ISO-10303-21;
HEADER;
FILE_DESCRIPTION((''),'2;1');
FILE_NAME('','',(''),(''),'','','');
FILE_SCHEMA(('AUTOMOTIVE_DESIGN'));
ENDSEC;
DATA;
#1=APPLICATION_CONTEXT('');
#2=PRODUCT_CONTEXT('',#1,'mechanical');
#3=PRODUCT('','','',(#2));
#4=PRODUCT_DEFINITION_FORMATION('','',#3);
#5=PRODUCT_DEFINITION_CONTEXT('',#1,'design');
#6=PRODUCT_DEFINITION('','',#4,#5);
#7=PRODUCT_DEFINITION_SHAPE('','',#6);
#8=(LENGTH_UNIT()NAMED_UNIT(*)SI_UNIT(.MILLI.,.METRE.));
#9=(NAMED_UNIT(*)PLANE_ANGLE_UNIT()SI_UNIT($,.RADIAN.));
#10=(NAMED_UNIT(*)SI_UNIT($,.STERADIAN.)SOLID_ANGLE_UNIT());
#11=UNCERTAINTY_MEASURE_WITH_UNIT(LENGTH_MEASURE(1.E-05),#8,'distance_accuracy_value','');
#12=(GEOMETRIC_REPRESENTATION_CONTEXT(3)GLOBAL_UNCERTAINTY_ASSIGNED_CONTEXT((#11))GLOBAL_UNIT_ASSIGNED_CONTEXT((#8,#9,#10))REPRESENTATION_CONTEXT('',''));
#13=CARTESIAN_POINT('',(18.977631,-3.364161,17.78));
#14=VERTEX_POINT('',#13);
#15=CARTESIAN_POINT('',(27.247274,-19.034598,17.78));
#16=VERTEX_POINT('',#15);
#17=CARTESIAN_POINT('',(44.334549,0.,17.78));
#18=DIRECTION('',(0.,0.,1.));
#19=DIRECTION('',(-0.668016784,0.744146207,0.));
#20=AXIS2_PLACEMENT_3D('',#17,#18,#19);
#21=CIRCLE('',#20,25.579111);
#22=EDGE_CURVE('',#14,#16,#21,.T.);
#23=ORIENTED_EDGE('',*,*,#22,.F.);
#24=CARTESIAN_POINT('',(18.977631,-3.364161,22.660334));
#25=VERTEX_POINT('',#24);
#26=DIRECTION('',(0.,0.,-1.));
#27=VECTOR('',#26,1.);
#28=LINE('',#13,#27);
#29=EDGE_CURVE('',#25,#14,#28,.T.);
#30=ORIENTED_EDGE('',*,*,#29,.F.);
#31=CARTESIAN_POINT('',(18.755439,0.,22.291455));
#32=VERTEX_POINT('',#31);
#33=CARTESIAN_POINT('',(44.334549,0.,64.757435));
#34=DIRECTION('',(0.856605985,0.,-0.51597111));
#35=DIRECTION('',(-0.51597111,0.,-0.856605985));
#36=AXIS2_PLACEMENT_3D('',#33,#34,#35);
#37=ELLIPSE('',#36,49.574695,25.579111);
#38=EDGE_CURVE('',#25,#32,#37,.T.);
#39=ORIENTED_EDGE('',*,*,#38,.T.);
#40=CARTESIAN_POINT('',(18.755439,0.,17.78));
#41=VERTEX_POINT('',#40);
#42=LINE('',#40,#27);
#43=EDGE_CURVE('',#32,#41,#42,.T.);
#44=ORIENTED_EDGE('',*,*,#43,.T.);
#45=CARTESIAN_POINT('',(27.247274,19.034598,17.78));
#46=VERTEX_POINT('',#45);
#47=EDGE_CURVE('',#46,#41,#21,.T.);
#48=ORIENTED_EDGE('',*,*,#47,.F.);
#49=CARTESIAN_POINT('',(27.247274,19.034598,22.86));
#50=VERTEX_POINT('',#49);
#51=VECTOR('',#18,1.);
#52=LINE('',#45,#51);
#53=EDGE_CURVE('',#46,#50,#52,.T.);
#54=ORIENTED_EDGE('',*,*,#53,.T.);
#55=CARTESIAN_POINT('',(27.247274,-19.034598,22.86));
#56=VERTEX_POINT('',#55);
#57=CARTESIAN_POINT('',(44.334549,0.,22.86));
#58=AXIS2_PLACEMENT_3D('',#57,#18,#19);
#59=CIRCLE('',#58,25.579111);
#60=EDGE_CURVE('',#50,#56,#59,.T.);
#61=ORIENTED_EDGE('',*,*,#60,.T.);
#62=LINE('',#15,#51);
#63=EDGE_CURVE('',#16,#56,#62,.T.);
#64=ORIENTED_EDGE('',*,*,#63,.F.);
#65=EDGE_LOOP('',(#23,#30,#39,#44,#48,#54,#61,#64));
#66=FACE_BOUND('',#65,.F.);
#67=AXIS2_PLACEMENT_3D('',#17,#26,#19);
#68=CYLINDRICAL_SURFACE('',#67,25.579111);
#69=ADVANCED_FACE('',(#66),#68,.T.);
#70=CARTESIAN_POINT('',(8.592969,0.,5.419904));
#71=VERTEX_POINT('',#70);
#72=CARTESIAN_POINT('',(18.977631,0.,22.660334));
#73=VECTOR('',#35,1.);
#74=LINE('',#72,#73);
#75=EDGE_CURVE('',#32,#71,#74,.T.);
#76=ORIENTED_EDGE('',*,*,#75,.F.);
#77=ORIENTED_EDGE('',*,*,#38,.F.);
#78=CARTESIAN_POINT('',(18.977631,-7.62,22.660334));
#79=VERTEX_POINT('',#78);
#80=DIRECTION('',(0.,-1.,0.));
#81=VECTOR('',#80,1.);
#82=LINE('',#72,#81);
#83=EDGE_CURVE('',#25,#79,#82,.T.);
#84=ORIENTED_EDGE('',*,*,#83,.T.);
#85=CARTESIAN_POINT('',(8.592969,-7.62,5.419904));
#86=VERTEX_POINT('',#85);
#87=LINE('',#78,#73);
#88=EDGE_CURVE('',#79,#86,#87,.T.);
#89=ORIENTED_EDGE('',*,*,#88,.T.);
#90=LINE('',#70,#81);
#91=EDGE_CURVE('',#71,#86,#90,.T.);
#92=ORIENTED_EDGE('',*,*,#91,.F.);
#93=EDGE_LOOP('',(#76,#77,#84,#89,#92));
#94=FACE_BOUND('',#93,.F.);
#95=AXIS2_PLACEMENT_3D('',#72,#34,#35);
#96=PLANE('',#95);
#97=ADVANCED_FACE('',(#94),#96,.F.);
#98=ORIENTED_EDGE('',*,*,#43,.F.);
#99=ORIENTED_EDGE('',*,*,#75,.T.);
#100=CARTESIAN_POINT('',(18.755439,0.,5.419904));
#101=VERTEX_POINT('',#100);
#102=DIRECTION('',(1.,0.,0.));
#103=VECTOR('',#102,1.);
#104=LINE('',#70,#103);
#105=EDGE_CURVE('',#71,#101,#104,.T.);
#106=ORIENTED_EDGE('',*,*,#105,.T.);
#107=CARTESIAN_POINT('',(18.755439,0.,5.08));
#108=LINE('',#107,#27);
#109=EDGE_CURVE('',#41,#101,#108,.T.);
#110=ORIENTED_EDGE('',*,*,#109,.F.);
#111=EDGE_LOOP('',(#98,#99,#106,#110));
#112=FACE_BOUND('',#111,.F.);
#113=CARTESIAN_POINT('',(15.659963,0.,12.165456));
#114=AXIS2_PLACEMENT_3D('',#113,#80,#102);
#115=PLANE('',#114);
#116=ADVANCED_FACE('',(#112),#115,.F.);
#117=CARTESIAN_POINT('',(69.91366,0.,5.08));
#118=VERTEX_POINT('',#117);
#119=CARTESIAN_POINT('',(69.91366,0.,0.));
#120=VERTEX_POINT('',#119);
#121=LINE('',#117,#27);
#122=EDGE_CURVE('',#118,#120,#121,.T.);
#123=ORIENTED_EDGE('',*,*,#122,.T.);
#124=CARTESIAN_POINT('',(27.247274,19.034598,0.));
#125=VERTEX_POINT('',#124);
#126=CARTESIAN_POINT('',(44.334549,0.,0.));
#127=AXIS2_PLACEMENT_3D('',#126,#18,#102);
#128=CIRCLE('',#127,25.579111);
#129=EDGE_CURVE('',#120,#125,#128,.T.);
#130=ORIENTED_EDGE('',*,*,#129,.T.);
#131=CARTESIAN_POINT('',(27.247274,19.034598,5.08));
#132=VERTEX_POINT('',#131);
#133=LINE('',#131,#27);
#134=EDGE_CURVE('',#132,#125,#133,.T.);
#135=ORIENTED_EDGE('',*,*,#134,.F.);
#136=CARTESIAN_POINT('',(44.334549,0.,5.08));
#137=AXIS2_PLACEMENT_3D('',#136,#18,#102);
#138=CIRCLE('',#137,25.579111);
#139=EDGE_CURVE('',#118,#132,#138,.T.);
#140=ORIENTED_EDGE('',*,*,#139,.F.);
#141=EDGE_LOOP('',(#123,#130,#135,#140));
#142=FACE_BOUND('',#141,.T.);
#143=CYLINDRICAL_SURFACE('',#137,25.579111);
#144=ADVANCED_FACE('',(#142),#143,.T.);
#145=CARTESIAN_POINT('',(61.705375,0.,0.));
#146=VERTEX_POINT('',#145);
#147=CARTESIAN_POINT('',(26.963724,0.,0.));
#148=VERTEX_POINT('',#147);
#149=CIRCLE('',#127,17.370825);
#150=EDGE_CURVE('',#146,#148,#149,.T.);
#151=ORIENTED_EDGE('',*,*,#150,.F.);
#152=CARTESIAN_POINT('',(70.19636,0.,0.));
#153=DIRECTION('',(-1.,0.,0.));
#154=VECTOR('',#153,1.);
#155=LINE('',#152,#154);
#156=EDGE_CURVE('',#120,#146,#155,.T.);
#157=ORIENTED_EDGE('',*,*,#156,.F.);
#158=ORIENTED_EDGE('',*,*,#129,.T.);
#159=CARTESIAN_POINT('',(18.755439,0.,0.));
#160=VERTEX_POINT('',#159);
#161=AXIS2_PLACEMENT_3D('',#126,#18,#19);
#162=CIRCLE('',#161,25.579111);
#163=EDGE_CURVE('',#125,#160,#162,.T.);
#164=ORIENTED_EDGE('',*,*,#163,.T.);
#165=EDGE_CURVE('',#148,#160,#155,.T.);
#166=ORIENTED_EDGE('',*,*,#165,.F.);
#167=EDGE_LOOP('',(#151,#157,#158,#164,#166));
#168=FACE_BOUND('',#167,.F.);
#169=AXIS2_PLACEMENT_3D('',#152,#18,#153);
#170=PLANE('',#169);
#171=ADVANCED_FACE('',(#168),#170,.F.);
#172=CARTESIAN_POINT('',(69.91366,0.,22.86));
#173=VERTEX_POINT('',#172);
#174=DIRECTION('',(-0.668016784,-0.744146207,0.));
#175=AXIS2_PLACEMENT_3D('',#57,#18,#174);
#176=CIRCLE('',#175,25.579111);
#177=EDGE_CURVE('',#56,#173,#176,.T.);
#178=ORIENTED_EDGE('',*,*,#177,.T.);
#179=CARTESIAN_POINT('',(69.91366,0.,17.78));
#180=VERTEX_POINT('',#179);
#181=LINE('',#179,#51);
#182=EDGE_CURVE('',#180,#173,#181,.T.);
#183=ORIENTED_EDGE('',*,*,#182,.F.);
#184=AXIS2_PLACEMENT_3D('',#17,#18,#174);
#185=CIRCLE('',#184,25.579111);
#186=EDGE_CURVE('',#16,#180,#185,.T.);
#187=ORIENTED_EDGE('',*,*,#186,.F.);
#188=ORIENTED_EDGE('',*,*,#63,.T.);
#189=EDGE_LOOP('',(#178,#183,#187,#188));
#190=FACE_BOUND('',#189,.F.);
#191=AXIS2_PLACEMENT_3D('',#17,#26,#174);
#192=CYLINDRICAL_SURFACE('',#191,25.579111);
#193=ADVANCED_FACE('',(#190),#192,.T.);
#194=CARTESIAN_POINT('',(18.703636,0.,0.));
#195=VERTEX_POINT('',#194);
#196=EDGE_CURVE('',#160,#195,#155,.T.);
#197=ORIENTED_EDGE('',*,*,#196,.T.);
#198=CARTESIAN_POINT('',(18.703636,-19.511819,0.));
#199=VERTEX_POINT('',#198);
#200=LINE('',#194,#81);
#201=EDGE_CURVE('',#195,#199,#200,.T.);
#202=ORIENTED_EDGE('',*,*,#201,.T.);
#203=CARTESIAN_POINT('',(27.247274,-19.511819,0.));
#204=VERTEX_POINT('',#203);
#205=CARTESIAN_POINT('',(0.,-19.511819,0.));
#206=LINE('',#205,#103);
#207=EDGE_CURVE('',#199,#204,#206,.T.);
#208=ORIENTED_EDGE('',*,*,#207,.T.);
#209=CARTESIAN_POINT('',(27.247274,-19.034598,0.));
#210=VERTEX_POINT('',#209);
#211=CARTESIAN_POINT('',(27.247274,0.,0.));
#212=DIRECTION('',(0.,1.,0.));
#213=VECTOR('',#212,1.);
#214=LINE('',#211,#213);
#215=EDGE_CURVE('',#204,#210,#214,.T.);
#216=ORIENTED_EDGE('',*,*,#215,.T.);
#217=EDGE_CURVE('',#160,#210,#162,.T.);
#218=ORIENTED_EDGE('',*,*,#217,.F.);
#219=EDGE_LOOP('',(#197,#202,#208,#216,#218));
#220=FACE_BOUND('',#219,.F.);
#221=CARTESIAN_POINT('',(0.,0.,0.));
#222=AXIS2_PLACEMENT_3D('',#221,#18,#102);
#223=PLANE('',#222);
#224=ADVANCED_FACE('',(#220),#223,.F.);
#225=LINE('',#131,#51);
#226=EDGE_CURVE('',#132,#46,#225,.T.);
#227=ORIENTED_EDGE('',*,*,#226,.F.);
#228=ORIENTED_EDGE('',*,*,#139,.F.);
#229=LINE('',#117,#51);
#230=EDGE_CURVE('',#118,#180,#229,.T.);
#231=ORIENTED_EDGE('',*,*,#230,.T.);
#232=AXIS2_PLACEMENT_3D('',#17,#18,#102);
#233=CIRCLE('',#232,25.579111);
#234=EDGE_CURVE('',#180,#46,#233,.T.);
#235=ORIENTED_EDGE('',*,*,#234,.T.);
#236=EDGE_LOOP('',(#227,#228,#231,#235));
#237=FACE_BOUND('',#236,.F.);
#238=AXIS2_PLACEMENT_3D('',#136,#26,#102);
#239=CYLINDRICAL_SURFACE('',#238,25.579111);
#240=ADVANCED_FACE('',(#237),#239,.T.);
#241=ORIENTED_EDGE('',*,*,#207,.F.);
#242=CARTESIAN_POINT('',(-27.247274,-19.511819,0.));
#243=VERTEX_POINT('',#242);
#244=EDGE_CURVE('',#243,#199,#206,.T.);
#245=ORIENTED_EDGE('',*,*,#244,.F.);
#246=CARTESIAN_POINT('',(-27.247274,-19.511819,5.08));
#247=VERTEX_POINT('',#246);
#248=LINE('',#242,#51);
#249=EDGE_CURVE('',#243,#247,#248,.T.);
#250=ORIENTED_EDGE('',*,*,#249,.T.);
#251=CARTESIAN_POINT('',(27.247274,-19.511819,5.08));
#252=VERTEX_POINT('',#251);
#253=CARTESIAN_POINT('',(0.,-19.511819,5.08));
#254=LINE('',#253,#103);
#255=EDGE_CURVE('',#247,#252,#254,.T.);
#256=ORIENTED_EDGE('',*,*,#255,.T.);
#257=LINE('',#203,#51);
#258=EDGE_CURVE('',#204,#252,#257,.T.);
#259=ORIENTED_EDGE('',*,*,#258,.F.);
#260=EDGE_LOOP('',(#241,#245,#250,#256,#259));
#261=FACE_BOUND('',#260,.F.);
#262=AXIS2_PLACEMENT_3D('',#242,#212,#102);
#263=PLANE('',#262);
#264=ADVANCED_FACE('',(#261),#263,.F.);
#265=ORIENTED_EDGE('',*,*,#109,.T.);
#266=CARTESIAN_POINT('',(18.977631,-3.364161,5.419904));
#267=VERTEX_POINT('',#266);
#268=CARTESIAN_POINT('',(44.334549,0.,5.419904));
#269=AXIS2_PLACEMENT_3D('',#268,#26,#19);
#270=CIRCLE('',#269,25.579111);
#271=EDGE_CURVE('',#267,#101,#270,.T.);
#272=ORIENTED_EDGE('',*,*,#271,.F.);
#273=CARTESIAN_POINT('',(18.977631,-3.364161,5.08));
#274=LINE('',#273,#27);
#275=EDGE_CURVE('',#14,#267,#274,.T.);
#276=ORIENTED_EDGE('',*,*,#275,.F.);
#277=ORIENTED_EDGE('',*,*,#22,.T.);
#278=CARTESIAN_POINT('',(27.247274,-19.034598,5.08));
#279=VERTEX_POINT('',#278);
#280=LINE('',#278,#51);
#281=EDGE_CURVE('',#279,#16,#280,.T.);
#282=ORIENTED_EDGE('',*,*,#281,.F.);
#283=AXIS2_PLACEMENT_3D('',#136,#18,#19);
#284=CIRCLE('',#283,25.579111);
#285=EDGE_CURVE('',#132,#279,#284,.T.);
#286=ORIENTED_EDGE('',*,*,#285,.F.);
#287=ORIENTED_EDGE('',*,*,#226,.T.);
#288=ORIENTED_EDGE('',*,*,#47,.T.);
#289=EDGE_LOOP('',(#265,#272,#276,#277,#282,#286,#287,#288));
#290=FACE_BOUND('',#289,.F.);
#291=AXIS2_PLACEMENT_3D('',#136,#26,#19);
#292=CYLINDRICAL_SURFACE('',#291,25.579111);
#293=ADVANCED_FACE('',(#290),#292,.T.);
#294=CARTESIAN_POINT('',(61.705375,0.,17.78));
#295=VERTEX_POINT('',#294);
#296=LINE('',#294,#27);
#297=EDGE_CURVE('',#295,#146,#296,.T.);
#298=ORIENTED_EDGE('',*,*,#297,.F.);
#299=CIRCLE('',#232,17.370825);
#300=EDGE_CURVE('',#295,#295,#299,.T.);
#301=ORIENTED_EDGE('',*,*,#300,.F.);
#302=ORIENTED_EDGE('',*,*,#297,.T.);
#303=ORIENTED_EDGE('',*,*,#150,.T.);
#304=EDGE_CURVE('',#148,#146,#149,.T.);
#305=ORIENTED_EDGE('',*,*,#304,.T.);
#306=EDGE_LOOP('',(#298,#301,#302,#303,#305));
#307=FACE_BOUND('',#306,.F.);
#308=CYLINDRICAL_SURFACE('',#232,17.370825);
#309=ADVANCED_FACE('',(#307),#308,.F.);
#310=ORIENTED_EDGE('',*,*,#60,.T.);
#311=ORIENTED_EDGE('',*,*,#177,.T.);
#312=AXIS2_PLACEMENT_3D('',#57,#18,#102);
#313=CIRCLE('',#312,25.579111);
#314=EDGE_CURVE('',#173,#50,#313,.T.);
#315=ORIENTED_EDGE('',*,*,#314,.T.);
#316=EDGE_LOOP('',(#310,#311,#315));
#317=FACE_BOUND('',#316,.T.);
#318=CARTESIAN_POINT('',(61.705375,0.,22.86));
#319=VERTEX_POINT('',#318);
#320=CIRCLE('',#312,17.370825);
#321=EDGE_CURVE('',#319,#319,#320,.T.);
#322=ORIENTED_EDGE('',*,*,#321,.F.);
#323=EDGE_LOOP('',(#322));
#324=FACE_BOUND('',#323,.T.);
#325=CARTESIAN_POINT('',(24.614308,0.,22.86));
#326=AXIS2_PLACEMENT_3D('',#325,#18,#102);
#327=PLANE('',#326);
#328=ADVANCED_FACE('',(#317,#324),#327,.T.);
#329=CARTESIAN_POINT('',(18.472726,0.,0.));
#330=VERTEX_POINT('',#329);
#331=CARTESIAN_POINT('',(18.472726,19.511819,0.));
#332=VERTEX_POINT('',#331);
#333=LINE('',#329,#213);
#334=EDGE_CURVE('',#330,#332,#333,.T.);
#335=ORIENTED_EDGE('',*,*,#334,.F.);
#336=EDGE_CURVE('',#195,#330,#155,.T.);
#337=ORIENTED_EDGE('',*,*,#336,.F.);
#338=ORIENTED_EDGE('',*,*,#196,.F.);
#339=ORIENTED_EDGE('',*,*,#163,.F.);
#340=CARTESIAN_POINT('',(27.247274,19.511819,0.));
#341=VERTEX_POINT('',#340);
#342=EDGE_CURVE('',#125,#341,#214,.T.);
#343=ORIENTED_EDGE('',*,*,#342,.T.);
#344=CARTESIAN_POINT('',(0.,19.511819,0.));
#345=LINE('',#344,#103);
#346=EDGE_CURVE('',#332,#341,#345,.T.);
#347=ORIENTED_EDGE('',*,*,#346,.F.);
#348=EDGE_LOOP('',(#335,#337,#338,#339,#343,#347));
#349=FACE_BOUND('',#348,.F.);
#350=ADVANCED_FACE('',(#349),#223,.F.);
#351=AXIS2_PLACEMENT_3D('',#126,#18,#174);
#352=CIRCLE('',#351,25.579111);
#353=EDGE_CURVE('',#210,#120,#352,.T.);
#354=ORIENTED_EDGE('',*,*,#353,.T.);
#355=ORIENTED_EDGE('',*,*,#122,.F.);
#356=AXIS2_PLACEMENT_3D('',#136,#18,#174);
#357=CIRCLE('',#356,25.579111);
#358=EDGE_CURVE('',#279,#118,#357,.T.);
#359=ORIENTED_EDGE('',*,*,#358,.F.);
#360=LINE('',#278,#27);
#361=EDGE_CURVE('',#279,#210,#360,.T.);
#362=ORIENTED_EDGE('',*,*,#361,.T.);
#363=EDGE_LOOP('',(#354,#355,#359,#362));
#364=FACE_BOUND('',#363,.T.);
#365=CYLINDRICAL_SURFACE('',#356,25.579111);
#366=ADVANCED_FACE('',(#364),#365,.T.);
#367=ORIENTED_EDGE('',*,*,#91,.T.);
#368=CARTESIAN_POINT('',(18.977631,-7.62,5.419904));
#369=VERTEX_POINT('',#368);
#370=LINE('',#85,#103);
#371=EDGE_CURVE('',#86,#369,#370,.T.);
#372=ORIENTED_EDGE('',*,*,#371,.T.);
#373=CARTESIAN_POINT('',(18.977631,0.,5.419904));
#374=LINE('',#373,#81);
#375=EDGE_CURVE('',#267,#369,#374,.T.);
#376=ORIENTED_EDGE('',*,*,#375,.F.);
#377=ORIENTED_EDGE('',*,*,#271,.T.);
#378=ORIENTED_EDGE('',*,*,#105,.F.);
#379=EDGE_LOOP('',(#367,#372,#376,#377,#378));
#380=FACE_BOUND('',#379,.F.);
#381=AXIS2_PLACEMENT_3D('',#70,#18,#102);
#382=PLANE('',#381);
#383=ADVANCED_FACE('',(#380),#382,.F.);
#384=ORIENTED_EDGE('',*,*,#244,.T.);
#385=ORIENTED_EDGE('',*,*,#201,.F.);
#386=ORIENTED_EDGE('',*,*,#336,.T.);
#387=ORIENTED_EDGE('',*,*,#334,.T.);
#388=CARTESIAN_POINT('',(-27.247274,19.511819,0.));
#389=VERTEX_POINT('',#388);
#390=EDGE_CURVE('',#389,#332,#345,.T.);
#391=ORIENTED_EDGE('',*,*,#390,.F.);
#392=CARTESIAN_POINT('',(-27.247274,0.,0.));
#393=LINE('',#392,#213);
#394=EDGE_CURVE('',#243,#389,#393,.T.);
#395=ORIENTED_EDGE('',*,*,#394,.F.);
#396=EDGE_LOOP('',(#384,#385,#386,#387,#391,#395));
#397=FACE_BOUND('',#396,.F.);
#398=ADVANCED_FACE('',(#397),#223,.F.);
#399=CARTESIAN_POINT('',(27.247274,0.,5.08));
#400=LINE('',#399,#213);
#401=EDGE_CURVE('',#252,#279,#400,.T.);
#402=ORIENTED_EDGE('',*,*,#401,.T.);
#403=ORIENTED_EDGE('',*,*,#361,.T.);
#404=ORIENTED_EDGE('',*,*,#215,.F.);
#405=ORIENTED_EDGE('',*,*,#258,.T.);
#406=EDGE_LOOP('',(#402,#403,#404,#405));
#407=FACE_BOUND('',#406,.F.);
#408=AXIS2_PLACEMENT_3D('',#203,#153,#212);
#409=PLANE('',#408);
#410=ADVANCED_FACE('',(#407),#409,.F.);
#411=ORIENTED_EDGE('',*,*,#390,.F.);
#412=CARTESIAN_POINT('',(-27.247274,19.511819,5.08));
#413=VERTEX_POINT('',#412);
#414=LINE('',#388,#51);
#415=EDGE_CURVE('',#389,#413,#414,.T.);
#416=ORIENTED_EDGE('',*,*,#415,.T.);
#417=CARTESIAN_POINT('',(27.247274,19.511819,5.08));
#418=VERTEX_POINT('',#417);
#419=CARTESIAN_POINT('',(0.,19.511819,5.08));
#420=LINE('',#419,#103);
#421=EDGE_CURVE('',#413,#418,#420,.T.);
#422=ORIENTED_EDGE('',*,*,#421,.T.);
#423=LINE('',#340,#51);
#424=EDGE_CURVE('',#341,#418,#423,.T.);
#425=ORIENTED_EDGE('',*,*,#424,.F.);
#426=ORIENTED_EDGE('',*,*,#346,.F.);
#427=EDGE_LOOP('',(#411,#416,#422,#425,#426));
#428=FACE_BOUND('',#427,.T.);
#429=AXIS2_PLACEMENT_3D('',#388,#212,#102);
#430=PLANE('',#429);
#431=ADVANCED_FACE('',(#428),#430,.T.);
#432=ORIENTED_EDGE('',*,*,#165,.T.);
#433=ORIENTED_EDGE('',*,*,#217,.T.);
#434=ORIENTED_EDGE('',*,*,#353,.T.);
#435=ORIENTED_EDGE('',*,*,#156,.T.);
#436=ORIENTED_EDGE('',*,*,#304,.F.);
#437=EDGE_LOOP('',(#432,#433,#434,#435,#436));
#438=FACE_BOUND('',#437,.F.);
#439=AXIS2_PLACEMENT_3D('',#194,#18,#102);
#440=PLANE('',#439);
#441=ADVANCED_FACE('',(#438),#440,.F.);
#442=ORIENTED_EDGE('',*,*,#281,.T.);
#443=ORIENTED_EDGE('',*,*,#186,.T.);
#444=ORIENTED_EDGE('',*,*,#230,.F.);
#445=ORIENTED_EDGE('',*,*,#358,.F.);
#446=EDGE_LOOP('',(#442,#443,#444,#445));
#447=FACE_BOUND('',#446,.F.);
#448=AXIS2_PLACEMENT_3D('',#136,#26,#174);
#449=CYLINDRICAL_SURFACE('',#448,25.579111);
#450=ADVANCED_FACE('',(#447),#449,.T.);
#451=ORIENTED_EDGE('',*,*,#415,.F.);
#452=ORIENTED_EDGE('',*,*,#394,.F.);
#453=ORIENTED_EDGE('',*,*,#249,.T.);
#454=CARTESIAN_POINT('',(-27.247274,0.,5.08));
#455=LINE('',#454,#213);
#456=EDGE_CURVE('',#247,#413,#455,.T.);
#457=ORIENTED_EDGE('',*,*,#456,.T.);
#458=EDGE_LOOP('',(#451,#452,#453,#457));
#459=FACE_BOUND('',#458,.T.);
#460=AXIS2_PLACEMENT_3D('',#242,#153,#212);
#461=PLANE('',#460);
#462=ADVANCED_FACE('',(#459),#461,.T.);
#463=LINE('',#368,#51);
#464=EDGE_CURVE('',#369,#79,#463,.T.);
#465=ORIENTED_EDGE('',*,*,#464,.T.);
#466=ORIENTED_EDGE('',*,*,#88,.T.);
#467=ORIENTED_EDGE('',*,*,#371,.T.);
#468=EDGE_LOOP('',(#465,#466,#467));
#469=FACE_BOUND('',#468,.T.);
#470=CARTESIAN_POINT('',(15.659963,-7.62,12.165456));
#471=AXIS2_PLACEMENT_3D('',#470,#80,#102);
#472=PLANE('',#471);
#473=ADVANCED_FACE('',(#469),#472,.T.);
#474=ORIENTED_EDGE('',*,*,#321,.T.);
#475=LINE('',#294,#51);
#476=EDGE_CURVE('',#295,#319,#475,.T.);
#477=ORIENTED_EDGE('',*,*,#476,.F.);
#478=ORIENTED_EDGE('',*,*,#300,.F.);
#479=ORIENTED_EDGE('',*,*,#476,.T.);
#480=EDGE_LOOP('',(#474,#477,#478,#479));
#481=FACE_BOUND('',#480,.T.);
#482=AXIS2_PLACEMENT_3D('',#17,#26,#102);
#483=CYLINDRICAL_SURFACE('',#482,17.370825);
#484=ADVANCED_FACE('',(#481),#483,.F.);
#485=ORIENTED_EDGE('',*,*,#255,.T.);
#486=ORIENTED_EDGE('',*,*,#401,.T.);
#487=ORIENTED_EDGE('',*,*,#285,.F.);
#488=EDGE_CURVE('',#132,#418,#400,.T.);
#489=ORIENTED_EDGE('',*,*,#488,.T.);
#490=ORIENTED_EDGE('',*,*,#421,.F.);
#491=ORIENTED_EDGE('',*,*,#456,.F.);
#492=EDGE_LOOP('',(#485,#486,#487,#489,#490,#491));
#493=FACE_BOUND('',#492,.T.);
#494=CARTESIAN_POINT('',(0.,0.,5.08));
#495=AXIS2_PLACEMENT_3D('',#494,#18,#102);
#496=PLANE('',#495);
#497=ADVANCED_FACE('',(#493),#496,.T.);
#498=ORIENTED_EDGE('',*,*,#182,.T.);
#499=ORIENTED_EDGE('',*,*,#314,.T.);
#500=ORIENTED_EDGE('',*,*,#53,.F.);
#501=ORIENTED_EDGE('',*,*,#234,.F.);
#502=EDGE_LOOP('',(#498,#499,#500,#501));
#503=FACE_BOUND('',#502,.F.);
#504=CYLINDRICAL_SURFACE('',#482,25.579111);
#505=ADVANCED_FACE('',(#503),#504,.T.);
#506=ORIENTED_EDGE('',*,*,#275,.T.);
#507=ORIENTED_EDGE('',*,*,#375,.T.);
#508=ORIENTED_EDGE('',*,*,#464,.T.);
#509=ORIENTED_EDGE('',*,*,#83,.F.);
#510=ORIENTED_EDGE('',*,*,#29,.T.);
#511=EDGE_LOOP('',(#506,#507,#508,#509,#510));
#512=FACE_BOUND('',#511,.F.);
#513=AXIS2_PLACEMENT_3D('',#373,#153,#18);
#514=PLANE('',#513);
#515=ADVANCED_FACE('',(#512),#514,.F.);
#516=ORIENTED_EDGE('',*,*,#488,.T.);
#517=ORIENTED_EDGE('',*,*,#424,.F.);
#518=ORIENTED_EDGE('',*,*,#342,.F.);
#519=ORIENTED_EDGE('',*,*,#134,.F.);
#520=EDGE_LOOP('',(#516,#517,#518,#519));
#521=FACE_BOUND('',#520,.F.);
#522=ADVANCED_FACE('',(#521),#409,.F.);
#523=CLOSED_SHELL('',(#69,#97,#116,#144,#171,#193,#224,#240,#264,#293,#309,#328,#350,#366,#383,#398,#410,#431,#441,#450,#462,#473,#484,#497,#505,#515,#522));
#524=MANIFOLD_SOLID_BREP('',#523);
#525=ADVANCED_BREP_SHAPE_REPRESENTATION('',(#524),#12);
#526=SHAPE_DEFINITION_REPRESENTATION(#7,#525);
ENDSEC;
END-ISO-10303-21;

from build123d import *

# Parameters (mm, degrees)
F0_W      = 54.494548589
F0_H      = 39.0236377716
F1_DEPTH  = 5.08
F3_DEPTH  = 12.7
F4_W      = 28.1709115952
F4_H      = 15.8172734082
F4_W_2    = 23.5527232289
F5_DEPTH  = 25.5801105544
F6_W      = 57.7272698283
F6_H      = 25.6309099495
F7_DEPTH  = 25.5801105544
F8_R      = 17.3708251463
F9_DEPTH  = 17.781
F10_DEPTH = 5.08
F12_DEPTH = 7.62


with BuildPart() as f1:
    # F0 (on Top) → F1 (new body)
    with BuildSketch(Plane.XY):
        Rectangle(F0_W, F0_H)
    extrude(amount=F1_DEPTH)

    # F2 (on face) → F3 (join, symmetric)
    with BuildSketch(Plane.XY.offset(5.08)):
        with BuildLine():
            Line((27.2472742945, -19.0345980856), (27.2472742945, 19.0345980856))
            ThreePointArc((27.2472742945, 19.0345980856), (18.7554389024, 0), (27.2472742945, -19.0345980856))
        make_face()
        with BuildLine():
            ThreePointArc((27.2472742945, -19.0345980856), (54.7560079993, -23.3598822472), (69.9136600113, 0))
            ThreePointArc((69.9136600113, 0), (54.7560079993, 23.3598822472), (27.2472742945, 19.0345980856))
            Line((27.2472742945, 19.0345980856), (27.2472742945, -19.0345980856))
        make_face()
    extrude(amount=F3_DEPTH, both=True)

    # F4 (on Front) → F5 (cut, through all)
    with BuildSketch(Plane.XZ):
        with Locations((32.5581813231, -7.9086367041)):
            Rectangle(F4_W, F4_H)
        with Locations((58.4199987352, -7.9086367041)):
            Rectangle(F4_W_2, F4_H)
    extrude(amount=-F5_DEPTH, mode=Mode.SUBTRACT)

    # F6 (on Front) → F7 (cut, through all)
    with BuildSketch(Plane.XZ):
        with Locations((47.5672706962, -12.8154549748)):
            Rectangle(F6_W, F6_H)
    extrude(amount=F7_DEPTH, mode=Mode.SUBTRACT)

    # F8 (on face) → F9 (cut, through all)
    with BuildSketch(Plane.XY.offset(17.78)):
        with Locations((44.3345494568, 0)):
            Circle(F8_R)
    extrude(amount=-F9_DEPTH, mode=Mode.SUBTRACT)

    # F10 (add): a face of the model
    f10_faces = [f1.faces().sort_by_distance(p)[0] for p in [
        (60.9385234936, 18.4962183503, 17.78),
    ]]
    extrude(f10_faces, amount=F10_DEPTH)

    # F11 (on Front) → F12 (join)
    with BuildSketch(Plane.XZ):
        Polygon((18.9776308835, 5.4199039005), (18.9776308835, 22.6603336632), (8.5929688066, 5.4199039005), align=None)
    extrude(amount=F12_DEPTH)


solid = f1.part
